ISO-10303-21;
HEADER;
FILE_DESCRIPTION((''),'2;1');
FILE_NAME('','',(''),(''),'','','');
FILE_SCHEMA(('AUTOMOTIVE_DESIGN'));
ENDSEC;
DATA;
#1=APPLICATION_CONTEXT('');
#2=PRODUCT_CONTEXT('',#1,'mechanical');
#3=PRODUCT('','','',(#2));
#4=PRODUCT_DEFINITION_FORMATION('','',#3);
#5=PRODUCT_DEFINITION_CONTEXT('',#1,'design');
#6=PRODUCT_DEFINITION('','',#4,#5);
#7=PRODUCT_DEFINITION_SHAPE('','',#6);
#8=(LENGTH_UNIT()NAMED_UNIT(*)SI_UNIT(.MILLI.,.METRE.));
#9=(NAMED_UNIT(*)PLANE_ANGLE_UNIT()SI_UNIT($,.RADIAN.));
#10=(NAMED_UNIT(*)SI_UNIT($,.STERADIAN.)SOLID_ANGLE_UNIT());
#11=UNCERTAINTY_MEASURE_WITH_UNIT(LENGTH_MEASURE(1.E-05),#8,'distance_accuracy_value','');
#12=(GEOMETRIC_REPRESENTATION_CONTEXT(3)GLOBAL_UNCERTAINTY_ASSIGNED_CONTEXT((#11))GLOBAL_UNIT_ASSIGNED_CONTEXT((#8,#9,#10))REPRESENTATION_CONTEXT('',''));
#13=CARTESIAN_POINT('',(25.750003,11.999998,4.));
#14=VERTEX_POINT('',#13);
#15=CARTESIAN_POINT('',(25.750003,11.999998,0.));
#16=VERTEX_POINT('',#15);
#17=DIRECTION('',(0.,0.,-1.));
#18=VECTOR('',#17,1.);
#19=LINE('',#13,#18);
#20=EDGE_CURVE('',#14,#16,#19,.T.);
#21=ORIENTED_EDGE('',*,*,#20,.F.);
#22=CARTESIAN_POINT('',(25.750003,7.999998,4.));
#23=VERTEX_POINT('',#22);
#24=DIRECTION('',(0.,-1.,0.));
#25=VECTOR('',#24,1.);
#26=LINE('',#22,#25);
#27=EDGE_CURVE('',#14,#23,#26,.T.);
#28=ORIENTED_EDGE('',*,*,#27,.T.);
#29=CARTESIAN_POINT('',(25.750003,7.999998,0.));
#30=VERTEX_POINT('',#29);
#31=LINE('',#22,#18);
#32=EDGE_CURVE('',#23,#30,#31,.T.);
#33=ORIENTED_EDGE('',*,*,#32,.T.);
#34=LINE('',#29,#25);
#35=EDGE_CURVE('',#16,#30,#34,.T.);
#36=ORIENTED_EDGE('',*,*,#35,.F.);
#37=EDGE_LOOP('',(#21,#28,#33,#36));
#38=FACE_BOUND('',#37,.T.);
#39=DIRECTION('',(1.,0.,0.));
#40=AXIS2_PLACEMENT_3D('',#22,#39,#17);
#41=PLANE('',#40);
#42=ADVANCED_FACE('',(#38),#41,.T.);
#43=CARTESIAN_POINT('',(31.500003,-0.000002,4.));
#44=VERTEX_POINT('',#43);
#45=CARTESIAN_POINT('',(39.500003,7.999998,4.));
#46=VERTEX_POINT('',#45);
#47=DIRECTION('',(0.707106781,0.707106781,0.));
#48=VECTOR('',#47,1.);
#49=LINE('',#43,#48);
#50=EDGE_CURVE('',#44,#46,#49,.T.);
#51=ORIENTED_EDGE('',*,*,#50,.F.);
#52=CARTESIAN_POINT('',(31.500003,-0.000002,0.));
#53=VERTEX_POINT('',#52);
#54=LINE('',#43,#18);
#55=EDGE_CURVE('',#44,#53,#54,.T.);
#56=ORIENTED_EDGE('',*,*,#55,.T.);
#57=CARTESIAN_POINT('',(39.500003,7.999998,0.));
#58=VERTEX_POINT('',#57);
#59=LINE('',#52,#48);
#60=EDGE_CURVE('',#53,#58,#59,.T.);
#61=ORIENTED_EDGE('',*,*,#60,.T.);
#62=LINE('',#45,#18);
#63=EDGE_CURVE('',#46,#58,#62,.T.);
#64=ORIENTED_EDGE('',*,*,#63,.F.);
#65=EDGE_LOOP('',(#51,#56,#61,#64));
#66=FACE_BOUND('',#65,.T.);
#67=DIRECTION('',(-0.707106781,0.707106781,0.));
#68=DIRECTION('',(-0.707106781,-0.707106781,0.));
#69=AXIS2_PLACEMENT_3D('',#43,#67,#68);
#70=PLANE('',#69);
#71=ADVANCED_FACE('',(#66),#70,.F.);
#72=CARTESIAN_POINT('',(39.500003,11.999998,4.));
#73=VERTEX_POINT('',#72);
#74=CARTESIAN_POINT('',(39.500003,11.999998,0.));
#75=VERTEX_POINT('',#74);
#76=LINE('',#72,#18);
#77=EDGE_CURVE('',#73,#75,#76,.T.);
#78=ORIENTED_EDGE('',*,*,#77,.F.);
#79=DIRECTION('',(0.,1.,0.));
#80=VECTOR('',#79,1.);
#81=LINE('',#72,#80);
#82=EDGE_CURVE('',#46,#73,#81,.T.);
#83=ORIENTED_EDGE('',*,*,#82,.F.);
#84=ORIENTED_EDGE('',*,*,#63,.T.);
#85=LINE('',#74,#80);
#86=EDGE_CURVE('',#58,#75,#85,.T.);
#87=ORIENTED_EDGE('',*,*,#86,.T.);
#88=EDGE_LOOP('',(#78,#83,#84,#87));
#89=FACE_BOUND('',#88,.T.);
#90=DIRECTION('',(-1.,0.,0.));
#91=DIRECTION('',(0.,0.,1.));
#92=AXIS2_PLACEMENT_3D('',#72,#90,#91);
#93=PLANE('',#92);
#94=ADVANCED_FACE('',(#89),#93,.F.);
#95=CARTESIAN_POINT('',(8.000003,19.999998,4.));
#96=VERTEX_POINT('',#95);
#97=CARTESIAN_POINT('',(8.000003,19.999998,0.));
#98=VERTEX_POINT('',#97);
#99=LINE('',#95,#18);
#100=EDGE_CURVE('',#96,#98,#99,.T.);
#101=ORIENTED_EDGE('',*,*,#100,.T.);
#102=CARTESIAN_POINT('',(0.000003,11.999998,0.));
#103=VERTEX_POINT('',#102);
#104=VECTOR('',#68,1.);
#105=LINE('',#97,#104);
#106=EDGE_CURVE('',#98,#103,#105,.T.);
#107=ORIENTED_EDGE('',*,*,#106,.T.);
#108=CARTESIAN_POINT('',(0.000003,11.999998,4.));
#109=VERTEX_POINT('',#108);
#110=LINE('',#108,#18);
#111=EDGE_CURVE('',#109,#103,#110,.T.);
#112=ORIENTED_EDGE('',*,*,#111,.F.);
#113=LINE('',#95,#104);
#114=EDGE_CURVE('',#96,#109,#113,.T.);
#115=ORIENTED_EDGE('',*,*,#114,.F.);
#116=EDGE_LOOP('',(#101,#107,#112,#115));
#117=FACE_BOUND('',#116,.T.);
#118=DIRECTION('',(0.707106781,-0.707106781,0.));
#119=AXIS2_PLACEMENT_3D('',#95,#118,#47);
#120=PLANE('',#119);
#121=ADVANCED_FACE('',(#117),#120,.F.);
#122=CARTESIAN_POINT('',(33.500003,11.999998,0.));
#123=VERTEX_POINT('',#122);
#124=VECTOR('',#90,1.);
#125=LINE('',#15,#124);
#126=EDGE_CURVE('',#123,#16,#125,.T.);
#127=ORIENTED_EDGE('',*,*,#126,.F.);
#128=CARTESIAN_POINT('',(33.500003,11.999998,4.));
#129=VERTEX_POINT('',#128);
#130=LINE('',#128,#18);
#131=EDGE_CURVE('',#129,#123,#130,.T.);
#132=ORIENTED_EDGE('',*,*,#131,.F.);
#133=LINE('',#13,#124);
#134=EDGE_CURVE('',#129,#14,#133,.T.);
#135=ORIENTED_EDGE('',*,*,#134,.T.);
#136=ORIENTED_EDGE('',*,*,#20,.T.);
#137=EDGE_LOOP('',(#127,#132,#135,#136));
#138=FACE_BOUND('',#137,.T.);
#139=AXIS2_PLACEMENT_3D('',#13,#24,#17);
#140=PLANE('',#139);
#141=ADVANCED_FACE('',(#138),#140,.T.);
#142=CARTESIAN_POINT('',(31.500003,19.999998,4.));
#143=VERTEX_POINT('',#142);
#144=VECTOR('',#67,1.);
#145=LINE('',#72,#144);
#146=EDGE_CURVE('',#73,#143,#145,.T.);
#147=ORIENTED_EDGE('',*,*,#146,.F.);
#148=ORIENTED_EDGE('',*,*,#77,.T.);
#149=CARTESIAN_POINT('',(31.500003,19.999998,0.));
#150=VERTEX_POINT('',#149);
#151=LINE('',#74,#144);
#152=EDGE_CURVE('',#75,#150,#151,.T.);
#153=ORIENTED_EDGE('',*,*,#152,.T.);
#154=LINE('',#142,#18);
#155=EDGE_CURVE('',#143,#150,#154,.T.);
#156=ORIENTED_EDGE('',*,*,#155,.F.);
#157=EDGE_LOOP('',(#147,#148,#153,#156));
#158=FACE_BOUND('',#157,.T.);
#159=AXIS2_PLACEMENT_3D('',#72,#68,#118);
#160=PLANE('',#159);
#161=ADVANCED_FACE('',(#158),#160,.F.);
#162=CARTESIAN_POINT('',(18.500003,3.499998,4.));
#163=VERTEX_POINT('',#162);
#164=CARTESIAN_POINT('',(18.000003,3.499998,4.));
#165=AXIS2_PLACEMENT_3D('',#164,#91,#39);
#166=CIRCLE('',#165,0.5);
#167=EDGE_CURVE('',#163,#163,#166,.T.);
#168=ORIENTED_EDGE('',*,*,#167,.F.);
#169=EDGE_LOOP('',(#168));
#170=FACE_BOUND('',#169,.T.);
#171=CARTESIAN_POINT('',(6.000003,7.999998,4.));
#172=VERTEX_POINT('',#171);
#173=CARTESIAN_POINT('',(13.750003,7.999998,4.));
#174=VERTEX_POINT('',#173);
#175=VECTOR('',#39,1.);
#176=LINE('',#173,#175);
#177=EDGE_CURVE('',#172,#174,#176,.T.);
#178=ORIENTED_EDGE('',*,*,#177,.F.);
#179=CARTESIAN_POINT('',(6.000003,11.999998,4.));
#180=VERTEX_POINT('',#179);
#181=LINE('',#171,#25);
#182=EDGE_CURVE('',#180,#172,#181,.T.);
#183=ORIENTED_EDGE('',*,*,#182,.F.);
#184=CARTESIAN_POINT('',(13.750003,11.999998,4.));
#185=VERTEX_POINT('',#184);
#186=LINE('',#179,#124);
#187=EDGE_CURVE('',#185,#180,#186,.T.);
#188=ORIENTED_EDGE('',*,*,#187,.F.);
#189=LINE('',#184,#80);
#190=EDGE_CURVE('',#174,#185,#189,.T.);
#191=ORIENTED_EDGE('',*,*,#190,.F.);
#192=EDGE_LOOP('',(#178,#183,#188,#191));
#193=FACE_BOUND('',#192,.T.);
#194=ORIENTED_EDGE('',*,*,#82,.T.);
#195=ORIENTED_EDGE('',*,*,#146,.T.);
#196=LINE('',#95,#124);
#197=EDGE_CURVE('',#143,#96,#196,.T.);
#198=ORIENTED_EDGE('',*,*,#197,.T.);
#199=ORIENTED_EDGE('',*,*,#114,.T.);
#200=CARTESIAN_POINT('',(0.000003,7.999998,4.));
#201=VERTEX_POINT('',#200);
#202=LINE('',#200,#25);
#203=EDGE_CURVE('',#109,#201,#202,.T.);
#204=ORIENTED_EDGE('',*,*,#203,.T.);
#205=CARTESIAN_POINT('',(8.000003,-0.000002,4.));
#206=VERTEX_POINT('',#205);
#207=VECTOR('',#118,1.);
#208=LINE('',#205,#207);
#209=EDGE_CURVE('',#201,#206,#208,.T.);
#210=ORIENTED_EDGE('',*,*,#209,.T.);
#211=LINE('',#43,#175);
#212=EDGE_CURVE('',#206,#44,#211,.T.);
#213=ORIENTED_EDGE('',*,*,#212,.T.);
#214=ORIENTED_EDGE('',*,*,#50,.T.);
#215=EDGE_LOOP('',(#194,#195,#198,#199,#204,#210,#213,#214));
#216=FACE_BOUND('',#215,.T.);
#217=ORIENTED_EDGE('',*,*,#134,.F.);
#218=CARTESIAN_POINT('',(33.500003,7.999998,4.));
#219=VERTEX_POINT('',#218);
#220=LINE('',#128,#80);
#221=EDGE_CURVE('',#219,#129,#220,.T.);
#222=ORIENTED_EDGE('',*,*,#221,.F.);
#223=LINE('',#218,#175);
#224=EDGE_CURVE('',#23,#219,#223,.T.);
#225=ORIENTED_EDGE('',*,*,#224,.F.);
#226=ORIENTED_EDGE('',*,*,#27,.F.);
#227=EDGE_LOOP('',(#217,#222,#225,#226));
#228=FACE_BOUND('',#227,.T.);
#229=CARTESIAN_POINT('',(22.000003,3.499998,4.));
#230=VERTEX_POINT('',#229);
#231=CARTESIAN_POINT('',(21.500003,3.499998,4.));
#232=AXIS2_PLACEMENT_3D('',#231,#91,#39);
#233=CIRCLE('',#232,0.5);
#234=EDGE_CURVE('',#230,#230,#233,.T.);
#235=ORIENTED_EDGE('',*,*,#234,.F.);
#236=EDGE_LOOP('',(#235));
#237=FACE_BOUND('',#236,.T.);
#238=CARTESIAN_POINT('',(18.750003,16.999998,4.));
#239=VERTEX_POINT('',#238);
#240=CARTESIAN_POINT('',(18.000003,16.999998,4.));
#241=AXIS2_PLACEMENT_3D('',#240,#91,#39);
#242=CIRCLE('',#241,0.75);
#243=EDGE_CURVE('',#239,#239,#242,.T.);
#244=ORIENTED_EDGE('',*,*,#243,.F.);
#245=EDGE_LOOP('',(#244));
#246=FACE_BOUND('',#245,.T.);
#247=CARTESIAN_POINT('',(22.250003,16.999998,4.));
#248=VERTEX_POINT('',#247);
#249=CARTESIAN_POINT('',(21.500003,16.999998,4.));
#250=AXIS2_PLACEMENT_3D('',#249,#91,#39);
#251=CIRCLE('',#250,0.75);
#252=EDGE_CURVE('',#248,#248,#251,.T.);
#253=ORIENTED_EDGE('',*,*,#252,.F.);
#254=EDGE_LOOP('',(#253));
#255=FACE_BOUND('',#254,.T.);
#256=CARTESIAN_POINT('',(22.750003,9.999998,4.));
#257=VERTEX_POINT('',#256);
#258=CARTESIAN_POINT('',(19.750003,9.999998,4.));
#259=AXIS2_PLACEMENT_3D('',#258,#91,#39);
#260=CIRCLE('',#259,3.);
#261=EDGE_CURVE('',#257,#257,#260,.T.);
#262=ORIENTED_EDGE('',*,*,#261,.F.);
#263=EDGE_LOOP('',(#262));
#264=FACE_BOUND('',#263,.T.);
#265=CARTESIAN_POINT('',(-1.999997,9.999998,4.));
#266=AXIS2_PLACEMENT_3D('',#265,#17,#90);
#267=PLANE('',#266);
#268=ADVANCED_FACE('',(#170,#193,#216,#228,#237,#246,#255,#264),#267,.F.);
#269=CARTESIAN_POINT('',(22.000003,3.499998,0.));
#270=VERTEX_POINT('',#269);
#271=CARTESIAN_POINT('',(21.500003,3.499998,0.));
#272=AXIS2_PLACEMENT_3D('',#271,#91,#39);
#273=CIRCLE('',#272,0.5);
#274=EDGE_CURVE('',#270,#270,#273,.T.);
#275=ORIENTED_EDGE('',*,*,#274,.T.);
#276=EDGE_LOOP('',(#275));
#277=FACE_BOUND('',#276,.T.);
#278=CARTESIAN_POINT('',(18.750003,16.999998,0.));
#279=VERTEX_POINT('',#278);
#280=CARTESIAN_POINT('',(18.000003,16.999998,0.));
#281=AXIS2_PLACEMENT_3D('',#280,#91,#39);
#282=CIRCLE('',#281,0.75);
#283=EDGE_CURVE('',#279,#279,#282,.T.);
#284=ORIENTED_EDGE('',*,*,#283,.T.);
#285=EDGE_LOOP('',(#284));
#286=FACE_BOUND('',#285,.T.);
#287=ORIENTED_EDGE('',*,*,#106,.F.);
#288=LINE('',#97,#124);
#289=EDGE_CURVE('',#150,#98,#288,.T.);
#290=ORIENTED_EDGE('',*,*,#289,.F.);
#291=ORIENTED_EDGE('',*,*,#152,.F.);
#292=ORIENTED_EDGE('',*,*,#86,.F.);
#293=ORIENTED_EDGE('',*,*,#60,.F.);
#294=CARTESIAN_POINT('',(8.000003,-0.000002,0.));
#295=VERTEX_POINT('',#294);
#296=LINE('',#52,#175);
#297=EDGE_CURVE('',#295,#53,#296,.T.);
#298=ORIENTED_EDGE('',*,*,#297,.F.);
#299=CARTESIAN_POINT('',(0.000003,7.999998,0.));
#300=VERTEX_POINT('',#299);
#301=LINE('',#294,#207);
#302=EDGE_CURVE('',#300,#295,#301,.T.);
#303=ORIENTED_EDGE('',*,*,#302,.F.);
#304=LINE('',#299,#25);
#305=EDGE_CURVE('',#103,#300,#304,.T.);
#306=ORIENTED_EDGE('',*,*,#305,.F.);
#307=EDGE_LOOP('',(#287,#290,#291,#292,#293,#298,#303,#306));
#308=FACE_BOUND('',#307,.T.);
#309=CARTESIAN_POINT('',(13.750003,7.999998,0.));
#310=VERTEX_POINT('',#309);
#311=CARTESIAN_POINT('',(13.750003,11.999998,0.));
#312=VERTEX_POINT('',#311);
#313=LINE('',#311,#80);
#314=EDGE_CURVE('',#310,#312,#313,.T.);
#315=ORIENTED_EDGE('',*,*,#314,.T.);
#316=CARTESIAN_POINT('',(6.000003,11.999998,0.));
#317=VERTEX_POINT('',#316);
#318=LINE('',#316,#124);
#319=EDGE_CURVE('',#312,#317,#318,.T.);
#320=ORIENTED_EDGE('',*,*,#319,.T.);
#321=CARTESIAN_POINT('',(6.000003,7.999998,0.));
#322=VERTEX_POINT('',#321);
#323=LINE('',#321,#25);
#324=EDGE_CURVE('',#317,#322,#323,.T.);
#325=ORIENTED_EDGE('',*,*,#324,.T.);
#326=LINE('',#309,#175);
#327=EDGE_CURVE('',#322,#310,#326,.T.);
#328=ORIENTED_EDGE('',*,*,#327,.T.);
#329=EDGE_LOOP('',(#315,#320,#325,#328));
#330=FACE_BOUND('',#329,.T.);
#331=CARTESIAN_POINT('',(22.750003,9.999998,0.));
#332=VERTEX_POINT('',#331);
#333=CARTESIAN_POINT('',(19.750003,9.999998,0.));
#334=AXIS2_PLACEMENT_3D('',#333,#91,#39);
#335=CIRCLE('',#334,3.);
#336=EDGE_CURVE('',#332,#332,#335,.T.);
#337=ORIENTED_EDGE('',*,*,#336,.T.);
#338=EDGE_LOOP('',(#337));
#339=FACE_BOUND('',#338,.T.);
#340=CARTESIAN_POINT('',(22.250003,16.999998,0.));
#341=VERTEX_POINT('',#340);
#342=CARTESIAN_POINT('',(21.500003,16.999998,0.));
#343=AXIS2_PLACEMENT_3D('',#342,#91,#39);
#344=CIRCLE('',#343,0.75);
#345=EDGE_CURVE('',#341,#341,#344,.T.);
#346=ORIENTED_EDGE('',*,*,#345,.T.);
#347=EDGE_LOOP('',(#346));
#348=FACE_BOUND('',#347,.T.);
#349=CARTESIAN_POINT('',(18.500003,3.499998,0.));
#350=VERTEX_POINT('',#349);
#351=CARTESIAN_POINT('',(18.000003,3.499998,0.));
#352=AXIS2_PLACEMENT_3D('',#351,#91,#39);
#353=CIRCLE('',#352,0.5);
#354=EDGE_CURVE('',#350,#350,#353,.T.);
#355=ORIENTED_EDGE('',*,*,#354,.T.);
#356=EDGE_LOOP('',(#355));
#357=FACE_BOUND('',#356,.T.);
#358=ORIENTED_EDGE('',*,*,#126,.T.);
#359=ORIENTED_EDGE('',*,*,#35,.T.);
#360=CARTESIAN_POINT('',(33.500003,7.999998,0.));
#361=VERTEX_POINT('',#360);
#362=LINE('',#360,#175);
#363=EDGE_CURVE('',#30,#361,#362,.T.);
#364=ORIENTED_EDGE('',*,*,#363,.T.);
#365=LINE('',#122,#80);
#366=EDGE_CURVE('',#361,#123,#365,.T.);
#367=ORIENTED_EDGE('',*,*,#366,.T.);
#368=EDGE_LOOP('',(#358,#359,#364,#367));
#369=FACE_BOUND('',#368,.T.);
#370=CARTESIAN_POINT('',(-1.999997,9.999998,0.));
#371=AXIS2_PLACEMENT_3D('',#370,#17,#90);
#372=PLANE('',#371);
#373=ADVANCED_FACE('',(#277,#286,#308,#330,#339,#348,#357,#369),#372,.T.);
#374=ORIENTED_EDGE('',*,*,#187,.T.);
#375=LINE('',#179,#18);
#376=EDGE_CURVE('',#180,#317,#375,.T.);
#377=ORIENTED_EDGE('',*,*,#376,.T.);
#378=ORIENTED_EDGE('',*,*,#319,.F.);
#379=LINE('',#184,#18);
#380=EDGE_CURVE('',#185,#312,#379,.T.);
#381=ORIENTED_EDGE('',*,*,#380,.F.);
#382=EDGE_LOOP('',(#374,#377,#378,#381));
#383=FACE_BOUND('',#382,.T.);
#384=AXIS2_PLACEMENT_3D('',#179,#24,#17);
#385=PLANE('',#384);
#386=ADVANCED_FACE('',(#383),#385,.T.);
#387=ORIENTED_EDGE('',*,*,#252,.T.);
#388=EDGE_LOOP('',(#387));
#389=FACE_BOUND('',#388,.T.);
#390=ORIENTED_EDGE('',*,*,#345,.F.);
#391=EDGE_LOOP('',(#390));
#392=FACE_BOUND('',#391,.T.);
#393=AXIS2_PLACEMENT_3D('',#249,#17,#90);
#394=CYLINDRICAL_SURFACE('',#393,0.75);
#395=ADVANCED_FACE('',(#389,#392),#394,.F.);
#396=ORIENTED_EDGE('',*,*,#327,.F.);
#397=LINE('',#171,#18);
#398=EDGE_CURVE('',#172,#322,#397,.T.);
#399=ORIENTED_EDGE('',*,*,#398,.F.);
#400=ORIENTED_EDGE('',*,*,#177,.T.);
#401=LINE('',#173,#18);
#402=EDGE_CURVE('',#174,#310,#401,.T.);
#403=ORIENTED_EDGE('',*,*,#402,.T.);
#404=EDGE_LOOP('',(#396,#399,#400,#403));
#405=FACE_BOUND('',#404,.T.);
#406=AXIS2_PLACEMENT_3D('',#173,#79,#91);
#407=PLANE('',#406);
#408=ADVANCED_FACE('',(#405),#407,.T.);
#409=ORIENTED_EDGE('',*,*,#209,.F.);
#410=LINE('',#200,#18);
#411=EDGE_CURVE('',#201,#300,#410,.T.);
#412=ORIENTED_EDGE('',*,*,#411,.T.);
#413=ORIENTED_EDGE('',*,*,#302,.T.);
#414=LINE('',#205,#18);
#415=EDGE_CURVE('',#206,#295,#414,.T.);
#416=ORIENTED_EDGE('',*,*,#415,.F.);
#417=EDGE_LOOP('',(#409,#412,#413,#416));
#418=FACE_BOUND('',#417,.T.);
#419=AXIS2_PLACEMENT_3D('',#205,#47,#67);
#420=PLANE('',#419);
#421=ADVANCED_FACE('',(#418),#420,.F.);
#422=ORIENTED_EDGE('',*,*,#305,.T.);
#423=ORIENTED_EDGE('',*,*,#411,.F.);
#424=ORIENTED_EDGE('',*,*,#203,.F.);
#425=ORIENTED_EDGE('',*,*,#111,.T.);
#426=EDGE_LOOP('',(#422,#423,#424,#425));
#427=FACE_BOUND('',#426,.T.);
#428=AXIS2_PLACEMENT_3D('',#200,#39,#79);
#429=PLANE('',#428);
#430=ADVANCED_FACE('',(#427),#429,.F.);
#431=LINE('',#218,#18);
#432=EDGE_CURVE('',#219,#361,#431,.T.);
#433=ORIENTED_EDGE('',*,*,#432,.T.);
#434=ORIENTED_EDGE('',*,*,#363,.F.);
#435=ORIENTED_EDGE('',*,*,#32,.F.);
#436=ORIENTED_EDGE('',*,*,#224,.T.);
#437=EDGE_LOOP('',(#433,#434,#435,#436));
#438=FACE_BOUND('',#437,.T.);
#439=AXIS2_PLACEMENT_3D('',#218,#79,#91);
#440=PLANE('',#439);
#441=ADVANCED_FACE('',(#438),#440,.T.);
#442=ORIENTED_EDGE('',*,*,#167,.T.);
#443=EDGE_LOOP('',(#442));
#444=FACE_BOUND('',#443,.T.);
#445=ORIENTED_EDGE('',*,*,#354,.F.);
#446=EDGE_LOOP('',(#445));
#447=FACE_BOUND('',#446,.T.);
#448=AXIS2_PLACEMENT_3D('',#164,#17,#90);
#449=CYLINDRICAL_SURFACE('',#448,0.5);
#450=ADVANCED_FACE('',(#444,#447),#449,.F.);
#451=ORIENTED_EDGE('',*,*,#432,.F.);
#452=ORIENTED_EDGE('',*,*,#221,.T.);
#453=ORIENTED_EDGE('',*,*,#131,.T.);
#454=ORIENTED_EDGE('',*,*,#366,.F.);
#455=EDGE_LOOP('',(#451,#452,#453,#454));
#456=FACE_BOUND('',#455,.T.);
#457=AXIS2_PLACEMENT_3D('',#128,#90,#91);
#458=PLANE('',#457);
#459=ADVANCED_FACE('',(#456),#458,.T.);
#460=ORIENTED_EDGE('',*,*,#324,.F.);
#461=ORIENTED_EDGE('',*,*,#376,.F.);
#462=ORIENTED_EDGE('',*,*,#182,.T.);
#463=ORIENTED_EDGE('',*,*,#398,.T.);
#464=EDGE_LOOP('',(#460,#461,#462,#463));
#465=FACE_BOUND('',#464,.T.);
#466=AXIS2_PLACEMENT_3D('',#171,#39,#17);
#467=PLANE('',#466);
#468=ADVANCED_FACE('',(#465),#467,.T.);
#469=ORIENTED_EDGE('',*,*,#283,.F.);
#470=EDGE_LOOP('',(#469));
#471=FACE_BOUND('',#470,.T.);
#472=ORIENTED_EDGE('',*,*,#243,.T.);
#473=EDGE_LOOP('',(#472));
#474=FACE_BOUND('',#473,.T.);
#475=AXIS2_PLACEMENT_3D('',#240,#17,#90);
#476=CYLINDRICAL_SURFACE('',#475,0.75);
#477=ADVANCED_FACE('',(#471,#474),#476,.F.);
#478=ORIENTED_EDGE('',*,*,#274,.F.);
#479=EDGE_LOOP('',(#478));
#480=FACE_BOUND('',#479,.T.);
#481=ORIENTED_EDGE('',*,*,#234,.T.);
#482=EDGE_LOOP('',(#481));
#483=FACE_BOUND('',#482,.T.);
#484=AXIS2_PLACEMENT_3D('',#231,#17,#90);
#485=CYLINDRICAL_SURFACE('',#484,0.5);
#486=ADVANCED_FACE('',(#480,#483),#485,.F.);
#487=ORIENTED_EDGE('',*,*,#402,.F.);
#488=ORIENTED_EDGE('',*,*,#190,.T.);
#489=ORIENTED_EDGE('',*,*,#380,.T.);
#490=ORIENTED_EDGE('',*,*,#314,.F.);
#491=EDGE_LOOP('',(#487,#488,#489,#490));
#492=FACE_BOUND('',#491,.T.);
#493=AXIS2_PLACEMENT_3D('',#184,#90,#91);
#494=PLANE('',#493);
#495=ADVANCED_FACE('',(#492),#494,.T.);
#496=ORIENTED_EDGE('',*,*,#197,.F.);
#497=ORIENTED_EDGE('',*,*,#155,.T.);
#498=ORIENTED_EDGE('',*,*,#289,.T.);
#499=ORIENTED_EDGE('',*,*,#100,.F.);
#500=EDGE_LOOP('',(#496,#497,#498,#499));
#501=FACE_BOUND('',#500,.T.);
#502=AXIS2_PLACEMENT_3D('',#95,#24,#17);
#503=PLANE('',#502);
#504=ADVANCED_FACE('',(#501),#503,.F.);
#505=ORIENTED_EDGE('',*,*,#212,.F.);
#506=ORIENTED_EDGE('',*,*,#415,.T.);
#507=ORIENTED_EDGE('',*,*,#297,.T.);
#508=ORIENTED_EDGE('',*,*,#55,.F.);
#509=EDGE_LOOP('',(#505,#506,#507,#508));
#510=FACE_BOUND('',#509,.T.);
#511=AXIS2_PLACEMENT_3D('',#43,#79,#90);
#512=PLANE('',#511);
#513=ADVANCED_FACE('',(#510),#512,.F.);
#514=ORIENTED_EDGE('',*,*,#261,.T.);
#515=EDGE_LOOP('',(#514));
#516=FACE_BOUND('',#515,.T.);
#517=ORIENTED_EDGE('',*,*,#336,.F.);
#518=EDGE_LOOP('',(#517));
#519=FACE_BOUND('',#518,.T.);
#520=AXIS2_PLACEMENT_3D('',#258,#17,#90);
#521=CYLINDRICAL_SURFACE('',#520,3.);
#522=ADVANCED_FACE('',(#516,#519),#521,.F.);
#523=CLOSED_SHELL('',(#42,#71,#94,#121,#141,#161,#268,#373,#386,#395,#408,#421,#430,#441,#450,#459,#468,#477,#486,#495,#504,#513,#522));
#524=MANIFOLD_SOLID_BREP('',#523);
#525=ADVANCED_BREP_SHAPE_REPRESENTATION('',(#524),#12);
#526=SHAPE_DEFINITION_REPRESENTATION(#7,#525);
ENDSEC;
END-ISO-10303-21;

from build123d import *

# Parameters (mm, degrees)
SKETCH1_R           = 3
SKETCH1_R_2         = 0.75
SKETCH1_R_3         = 0.5
SKETCH1_W           = 7.75
SKETCH1_H           = 4
BOSS_EXTRUDE1_DEPTH = 4


with BuildPart() as part:
    # Sketch1 → Boss-Extrude1 (new body)
    with BuildSketch(Plane.XY):
        Polygon((8.000003067, 19.999998036), (31.500003067, 19.999998036), (39.500003067, 11.999998036), (39.500003067, 7.999998036), (31.500003067, -1.964e-06), (8.000003067, -1.964e-06), (3.067e-06, 7.999998036), (3.067e-06, 11.999998036), align=None)
        with Locations((19.750003067, 9.999998036)):
            Circle(SKETCH1_R, mode=Mode.SUBTRACT)
        with Locations((18.000003067, 16.999998036)):
            Circle(SKETCH1_R_2, mode=Mode.SUBTRACT)
        with Locations((21.500003067, 16.999998036)):
            Circle(SKETCH1_R_2, mode=Mode.SUBTRACT)
        with Locations((18.000003067, 3.499998036)):
            Circle(SKETCH1_R_3, mode=Mode.SUBTRACT)
        with Locations((21.500003067, 3.499998036)):
            Circle(SKETCH1_R_3, mode=Mode.SUBTRACT)
        with Locations((9.875003067, 9.999998036)):
            Rectangle(SKETCH1_W, SKETCH1_H, mode=Mode.SUBTRACT)
        with Locations((29.625003067, 9.999998036)):
            Rectangle(SKETCH1_W, SKETCH1_H, mode=Mode.SUBTRACT)
    extrude(amount=BOSS_EXTRUDE1_DEPTH)


solid = part.part
